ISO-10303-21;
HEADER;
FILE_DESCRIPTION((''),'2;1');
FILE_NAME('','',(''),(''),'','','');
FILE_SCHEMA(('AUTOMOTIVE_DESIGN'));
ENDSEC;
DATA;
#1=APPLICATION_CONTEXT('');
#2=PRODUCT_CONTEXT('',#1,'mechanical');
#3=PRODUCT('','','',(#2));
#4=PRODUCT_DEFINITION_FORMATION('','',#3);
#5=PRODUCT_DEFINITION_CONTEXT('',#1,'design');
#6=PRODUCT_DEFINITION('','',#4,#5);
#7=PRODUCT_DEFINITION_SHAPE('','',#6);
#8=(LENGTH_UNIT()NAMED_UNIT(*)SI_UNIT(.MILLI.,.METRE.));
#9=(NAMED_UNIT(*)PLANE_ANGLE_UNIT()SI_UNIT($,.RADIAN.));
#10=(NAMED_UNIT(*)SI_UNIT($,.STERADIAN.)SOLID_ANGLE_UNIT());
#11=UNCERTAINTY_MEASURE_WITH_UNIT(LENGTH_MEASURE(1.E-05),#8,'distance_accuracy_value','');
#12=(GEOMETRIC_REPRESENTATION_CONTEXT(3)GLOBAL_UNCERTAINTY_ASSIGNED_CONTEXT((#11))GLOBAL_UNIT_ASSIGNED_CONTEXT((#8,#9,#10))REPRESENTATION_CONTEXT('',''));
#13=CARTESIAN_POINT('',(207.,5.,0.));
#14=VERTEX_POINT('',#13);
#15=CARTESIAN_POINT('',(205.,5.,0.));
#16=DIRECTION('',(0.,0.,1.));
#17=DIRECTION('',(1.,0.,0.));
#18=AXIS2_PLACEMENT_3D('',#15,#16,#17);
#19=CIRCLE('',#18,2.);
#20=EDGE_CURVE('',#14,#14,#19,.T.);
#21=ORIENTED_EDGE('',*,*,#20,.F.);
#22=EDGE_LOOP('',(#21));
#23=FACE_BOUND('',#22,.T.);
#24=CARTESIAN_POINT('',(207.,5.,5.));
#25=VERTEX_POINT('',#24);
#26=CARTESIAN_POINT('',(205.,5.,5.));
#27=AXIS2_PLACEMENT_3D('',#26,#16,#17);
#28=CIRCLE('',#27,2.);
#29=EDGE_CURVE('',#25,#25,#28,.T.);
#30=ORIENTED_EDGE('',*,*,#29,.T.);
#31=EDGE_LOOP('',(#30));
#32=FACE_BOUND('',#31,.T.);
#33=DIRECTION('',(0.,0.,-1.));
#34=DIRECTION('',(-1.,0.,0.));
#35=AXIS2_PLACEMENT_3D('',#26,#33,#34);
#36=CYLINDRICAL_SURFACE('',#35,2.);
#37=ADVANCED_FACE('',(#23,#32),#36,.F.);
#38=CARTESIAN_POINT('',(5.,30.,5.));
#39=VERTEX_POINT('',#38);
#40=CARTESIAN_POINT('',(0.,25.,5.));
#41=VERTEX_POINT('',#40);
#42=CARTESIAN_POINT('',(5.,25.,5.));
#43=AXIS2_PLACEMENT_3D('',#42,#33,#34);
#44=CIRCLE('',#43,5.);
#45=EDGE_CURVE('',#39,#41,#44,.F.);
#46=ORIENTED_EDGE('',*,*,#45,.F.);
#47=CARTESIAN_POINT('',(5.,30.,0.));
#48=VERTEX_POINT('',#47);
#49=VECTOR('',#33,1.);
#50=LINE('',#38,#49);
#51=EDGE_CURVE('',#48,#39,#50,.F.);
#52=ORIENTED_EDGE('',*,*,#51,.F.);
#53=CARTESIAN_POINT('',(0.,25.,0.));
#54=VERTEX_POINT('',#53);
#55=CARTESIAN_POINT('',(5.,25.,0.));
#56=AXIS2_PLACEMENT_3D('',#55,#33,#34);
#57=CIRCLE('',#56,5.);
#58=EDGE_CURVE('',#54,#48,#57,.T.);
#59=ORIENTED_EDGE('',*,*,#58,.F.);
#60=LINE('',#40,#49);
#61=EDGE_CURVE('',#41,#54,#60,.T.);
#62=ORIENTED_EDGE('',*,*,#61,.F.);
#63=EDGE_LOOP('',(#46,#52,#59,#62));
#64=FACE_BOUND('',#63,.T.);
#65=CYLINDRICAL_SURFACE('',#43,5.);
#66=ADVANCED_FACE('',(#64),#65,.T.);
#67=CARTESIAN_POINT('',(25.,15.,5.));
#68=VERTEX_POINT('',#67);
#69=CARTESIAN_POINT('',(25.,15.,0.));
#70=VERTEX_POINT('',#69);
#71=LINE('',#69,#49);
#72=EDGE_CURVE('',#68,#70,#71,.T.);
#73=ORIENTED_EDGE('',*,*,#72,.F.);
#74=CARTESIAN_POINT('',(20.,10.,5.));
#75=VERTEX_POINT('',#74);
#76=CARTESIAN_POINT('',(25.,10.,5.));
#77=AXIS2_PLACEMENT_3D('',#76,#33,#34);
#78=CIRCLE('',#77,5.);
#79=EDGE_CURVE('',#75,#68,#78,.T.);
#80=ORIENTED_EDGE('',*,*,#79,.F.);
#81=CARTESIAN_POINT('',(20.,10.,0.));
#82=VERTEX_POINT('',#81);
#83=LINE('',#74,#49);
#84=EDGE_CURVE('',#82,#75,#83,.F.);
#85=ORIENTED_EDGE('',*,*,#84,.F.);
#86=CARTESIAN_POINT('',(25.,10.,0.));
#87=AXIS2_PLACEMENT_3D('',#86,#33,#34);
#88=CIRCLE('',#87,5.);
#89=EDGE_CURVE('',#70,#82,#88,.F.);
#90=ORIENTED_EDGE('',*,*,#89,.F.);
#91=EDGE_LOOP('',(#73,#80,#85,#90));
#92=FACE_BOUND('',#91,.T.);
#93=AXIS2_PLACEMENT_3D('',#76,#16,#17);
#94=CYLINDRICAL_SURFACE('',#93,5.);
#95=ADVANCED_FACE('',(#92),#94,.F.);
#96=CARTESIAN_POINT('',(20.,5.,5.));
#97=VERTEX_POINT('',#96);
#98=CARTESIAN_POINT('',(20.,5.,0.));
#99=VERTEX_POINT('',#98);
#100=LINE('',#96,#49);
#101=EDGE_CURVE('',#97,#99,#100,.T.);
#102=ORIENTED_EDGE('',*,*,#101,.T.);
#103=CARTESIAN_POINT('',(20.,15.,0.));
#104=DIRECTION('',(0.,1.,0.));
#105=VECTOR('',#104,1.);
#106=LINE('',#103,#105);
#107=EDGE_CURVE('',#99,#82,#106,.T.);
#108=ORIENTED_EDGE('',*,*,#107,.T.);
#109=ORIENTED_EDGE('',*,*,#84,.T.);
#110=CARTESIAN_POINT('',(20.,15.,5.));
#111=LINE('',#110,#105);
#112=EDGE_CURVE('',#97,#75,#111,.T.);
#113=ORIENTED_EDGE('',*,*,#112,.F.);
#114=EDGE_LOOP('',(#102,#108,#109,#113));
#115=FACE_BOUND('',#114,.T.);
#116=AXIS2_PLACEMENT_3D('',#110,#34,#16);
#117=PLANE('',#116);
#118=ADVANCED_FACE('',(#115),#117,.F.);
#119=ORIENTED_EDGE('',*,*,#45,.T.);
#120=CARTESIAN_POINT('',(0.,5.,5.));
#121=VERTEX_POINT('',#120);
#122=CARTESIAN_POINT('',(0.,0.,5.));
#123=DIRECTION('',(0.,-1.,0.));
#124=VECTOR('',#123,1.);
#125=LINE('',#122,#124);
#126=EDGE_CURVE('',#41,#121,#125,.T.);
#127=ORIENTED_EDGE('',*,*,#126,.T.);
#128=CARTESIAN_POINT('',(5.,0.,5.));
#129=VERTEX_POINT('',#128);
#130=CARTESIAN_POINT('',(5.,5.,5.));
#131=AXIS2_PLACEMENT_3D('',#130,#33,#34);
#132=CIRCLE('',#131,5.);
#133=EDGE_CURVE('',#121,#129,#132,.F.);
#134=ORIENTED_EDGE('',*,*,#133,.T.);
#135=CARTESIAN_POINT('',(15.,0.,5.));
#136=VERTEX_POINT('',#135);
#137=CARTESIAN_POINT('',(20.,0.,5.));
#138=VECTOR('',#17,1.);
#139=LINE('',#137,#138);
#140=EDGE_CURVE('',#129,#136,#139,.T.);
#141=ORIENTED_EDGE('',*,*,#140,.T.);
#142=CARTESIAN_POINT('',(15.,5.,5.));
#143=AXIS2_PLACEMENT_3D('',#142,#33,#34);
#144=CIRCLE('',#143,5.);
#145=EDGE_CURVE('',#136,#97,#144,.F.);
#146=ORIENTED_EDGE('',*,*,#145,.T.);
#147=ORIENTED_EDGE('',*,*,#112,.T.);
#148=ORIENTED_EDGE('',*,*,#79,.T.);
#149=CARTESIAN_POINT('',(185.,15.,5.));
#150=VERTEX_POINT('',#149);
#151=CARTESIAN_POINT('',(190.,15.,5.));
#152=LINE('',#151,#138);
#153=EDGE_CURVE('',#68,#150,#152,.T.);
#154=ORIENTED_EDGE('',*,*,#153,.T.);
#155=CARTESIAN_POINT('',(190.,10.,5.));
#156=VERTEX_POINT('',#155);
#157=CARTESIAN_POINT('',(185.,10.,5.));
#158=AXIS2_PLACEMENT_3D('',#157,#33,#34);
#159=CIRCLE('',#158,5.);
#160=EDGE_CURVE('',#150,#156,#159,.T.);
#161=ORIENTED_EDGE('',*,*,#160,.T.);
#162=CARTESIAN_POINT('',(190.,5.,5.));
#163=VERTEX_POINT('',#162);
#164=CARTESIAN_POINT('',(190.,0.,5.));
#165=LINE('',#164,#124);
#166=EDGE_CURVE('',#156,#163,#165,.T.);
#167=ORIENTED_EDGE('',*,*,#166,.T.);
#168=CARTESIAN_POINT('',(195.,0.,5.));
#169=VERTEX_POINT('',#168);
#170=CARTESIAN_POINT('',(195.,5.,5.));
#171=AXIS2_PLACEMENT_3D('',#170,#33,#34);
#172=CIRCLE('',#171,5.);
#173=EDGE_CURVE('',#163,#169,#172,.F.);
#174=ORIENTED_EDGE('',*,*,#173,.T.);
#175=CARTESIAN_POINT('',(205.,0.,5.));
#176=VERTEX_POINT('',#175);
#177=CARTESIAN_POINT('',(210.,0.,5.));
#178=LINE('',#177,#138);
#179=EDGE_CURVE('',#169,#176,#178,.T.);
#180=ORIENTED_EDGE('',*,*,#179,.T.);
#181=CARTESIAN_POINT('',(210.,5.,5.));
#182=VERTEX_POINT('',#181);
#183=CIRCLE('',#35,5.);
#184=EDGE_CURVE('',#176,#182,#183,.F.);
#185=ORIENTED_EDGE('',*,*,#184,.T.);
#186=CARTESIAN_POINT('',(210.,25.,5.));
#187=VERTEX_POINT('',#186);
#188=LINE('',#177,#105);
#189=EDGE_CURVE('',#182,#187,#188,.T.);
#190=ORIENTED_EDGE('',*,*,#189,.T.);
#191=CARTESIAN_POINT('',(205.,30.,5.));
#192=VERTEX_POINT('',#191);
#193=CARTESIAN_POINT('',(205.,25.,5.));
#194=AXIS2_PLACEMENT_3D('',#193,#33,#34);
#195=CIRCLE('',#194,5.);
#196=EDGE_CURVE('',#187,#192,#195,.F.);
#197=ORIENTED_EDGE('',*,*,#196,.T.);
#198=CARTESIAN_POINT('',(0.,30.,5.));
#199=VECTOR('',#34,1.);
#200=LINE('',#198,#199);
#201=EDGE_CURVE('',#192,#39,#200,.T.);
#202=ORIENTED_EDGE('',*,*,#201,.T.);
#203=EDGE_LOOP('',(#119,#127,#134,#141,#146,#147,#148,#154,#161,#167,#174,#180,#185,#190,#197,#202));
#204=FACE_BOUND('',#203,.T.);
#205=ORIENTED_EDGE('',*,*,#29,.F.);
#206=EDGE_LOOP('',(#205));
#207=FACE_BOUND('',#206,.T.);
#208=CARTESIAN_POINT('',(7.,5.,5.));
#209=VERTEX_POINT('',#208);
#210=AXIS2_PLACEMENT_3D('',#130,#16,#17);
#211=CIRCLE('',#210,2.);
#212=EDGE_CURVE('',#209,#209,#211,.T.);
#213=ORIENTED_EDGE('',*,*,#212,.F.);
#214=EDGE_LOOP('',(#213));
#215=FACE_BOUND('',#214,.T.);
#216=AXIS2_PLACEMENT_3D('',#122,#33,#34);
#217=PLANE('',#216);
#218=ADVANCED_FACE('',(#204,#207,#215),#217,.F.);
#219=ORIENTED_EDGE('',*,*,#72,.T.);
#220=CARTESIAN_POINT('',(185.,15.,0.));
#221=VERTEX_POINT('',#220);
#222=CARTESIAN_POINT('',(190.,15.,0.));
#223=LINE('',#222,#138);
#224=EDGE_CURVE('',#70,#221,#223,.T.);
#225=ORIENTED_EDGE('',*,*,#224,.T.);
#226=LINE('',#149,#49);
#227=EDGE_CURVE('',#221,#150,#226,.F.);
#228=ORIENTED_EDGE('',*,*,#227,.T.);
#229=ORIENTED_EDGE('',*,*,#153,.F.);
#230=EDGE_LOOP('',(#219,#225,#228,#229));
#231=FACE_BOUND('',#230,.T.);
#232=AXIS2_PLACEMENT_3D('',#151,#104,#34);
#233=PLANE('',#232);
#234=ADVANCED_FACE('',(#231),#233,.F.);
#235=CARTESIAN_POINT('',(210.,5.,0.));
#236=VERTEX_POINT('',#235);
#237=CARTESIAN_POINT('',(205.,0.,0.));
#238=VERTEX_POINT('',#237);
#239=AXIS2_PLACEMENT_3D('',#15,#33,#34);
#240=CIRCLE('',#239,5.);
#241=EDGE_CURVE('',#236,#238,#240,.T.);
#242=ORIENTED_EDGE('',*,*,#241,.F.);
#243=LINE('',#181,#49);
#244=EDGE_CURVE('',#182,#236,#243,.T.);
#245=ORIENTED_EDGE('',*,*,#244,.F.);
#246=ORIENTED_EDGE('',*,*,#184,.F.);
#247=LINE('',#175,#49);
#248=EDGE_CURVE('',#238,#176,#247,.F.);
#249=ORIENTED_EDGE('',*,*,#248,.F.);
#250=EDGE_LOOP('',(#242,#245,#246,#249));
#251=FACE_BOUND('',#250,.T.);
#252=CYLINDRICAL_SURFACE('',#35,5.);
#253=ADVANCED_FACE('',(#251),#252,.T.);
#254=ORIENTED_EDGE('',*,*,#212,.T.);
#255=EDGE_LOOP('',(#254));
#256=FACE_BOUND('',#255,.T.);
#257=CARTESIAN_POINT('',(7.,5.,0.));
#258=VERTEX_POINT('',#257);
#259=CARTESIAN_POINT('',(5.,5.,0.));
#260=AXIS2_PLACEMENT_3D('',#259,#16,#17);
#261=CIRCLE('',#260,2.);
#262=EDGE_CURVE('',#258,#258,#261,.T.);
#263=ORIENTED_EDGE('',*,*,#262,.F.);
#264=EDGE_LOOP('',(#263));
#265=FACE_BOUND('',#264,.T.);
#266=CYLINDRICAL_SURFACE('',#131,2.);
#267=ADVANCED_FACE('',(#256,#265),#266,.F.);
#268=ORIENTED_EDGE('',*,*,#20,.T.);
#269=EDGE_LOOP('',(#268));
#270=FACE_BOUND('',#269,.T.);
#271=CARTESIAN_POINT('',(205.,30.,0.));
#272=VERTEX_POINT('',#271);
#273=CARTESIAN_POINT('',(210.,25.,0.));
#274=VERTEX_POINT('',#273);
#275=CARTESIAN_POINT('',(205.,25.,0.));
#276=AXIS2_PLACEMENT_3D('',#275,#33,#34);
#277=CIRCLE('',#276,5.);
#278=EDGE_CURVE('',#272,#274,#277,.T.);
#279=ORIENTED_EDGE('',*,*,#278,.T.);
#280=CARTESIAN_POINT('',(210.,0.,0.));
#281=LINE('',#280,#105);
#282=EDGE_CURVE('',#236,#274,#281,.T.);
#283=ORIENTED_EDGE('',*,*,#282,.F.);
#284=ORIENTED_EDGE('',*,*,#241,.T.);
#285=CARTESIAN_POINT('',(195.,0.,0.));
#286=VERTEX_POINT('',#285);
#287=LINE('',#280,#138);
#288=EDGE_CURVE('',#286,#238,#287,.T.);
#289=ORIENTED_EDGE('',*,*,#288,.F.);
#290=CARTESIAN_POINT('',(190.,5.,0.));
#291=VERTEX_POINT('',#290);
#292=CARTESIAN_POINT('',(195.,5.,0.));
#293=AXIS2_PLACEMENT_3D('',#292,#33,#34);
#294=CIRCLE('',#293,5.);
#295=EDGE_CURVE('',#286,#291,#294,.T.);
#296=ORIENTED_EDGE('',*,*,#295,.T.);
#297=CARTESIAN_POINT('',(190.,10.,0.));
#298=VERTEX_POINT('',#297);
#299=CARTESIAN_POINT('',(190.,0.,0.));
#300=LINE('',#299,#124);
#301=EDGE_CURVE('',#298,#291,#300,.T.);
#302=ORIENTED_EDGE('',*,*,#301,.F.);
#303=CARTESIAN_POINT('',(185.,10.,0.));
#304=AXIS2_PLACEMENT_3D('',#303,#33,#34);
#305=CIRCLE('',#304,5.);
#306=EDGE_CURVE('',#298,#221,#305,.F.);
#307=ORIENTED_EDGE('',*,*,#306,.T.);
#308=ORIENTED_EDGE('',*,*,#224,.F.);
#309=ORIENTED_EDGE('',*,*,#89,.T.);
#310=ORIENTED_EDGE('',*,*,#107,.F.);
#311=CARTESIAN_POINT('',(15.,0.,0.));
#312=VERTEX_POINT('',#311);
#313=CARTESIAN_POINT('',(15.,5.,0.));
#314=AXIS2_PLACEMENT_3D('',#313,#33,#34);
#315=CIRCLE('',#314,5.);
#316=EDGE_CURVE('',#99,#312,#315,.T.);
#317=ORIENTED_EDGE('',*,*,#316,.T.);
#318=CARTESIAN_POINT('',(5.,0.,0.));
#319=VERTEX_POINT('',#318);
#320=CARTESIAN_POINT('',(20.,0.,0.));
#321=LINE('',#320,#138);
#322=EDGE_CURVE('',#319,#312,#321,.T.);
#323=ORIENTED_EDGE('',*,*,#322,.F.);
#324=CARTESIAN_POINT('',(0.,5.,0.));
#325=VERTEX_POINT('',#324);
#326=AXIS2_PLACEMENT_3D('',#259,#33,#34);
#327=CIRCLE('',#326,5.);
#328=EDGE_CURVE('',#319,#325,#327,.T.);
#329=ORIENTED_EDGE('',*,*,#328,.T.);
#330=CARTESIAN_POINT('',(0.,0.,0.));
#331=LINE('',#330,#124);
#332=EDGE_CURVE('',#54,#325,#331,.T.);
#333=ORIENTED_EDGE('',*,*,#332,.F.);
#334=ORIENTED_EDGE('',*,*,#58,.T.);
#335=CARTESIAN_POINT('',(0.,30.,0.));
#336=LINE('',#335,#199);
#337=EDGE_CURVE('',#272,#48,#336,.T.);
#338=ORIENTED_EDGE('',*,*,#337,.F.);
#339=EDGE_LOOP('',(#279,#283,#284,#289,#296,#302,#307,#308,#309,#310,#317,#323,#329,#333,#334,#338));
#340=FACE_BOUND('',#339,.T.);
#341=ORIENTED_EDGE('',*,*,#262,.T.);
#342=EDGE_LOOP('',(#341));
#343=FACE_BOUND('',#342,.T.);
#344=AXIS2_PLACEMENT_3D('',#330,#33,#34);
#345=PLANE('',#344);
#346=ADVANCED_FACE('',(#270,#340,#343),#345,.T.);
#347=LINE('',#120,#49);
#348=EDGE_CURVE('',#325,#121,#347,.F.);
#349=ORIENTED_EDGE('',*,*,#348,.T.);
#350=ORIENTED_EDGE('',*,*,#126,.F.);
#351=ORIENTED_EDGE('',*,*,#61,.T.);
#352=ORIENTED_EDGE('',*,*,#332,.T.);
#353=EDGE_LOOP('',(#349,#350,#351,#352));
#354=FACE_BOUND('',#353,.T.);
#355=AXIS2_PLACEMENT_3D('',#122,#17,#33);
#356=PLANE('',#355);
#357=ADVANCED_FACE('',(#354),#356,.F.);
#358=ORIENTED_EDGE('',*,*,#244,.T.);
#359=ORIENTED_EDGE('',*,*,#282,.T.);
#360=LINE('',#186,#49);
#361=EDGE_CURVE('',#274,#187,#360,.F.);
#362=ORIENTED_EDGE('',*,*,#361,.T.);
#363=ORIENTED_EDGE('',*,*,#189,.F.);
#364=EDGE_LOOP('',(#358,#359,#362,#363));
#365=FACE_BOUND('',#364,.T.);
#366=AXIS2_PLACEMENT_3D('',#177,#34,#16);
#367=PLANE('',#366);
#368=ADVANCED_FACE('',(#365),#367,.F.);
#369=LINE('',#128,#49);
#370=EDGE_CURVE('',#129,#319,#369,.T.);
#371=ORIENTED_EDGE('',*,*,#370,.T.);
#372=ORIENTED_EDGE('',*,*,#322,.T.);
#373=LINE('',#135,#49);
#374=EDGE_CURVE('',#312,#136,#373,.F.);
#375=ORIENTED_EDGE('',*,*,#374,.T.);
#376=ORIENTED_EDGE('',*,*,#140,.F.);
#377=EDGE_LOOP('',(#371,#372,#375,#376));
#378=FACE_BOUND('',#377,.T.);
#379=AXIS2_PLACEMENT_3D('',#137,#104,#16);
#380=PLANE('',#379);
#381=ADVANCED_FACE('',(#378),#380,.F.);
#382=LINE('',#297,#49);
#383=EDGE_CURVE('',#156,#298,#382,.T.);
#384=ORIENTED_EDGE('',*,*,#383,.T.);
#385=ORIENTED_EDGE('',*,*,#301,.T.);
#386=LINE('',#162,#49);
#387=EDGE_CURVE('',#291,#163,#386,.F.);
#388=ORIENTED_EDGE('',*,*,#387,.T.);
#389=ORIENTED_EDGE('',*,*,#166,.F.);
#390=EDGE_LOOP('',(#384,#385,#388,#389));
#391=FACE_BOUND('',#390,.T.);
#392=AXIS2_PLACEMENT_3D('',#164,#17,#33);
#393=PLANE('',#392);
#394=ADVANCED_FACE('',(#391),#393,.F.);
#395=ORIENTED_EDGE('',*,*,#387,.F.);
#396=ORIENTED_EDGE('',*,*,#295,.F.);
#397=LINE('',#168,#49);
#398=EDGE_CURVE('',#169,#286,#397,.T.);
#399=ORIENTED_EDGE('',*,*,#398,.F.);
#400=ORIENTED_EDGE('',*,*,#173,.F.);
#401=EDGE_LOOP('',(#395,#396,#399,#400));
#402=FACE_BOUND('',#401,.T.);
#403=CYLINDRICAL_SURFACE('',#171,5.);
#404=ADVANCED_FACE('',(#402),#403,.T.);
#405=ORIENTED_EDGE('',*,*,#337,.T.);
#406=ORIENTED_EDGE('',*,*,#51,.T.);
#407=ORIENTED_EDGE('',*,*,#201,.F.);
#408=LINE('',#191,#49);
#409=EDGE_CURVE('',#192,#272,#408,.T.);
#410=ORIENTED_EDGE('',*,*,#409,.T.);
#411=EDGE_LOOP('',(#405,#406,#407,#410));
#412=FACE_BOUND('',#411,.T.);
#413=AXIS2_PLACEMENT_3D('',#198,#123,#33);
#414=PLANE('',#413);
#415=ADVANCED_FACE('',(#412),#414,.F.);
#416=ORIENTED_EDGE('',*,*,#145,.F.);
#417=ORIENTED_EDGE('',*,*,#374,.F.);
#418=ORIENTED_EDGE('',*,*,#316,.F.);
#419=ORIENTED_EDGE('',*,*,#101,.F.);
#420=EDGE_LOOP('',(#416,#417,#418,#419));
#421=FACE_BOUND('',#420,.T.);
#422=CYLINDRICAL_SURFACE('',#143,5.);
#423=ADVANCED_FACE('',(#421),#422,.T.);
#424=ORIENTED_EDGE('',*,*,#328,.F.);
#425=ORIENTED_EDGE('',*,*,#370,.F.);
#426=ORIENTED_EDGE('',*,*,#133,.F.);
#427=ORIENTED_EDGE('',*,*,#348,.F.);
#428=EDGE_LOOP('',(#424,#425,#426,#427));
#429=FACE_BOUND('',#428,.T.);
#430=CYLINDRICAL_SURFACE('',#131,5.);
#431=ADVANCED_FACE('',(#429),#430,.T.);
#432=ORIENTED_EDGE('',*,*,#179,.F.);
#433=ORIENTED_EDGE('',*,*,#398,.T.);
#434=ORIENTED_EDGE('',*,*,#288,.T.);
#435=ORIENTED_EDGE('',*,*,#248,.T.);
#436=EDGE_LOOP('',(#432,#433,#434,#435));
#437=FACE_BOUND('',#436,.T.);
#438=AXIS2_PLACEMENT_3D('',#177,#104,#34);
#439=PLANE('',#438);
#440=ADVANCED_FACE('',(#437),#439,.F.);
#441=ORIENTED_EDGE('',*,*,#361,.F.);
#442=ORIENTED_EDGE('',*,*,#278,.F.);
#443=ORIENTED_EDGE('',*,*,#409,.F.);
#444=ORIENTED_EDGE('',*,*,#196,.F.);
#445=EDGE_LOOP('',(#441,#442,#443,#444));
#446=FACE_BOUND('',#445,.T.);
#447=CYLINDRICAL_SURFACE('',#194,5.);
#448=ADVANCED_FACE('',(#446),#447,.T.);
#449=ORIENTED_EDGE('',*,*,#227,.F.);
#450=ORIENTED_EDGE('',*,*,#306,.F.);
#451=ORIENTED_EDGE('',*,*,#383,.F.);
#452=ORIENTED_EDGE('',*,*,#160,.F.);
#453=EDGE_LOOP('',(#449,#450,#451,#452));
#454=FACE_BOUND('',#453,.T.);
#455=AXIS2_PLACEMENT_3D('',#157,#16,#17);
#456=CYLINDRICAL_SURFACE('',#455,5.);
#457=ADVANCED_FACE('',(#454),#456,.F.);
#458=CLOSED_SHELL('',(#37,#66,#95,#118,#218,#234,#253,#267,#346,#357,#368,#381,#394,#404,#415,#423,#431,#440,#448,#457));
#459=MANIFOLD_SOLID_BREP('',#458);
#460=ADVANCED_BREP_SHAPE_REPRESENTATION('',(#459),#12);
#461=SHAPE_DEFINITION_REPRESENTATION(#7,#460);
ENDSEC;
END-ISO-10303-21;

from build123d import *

# Parameters (mm, degrees)
ESQUISSE1_R        = 2
BOSS_EXTRU_1_DEPTH = 5
CONG_1_R           = 5


with BuildPart() as part:
    # Esquisse1 → Boss.-Extru.1 (new body)
    with BuildSketch(Plane.XY):
        Polygon((0, 0), (0, 30), (210, 30), (210, 0), (190, 0), (190, 15), (20, 15), (20, 0), align=None)
        with Locations((5, 5)):
            Circle(ESQUISSE1_R, mode=Mode.SUBTRACT)
        with Locations((205, 5)):
            Circle(ESQUISSE1_R, mode=Mode.SUBTRACT)
    extrude(amount=BOSS_EXTRU_1_DEPTH)

    # Congé1
    cong_1_edges = [part.edges().sort_by_distance(p)[0] for p in [
        (0, 0, 2.5),
        (0, 30, 2.5),
        (210, 30, 2.5),
        (210, 0, 2.5),
        (190, 0, 2.5),
        (190, 15, 2.5),
        (20, 15, 2.5),
        (20, 0, 2.5),
    ]]
    fillet(cong_1_edges, radius=CONG_1_R)


solid = part.part
